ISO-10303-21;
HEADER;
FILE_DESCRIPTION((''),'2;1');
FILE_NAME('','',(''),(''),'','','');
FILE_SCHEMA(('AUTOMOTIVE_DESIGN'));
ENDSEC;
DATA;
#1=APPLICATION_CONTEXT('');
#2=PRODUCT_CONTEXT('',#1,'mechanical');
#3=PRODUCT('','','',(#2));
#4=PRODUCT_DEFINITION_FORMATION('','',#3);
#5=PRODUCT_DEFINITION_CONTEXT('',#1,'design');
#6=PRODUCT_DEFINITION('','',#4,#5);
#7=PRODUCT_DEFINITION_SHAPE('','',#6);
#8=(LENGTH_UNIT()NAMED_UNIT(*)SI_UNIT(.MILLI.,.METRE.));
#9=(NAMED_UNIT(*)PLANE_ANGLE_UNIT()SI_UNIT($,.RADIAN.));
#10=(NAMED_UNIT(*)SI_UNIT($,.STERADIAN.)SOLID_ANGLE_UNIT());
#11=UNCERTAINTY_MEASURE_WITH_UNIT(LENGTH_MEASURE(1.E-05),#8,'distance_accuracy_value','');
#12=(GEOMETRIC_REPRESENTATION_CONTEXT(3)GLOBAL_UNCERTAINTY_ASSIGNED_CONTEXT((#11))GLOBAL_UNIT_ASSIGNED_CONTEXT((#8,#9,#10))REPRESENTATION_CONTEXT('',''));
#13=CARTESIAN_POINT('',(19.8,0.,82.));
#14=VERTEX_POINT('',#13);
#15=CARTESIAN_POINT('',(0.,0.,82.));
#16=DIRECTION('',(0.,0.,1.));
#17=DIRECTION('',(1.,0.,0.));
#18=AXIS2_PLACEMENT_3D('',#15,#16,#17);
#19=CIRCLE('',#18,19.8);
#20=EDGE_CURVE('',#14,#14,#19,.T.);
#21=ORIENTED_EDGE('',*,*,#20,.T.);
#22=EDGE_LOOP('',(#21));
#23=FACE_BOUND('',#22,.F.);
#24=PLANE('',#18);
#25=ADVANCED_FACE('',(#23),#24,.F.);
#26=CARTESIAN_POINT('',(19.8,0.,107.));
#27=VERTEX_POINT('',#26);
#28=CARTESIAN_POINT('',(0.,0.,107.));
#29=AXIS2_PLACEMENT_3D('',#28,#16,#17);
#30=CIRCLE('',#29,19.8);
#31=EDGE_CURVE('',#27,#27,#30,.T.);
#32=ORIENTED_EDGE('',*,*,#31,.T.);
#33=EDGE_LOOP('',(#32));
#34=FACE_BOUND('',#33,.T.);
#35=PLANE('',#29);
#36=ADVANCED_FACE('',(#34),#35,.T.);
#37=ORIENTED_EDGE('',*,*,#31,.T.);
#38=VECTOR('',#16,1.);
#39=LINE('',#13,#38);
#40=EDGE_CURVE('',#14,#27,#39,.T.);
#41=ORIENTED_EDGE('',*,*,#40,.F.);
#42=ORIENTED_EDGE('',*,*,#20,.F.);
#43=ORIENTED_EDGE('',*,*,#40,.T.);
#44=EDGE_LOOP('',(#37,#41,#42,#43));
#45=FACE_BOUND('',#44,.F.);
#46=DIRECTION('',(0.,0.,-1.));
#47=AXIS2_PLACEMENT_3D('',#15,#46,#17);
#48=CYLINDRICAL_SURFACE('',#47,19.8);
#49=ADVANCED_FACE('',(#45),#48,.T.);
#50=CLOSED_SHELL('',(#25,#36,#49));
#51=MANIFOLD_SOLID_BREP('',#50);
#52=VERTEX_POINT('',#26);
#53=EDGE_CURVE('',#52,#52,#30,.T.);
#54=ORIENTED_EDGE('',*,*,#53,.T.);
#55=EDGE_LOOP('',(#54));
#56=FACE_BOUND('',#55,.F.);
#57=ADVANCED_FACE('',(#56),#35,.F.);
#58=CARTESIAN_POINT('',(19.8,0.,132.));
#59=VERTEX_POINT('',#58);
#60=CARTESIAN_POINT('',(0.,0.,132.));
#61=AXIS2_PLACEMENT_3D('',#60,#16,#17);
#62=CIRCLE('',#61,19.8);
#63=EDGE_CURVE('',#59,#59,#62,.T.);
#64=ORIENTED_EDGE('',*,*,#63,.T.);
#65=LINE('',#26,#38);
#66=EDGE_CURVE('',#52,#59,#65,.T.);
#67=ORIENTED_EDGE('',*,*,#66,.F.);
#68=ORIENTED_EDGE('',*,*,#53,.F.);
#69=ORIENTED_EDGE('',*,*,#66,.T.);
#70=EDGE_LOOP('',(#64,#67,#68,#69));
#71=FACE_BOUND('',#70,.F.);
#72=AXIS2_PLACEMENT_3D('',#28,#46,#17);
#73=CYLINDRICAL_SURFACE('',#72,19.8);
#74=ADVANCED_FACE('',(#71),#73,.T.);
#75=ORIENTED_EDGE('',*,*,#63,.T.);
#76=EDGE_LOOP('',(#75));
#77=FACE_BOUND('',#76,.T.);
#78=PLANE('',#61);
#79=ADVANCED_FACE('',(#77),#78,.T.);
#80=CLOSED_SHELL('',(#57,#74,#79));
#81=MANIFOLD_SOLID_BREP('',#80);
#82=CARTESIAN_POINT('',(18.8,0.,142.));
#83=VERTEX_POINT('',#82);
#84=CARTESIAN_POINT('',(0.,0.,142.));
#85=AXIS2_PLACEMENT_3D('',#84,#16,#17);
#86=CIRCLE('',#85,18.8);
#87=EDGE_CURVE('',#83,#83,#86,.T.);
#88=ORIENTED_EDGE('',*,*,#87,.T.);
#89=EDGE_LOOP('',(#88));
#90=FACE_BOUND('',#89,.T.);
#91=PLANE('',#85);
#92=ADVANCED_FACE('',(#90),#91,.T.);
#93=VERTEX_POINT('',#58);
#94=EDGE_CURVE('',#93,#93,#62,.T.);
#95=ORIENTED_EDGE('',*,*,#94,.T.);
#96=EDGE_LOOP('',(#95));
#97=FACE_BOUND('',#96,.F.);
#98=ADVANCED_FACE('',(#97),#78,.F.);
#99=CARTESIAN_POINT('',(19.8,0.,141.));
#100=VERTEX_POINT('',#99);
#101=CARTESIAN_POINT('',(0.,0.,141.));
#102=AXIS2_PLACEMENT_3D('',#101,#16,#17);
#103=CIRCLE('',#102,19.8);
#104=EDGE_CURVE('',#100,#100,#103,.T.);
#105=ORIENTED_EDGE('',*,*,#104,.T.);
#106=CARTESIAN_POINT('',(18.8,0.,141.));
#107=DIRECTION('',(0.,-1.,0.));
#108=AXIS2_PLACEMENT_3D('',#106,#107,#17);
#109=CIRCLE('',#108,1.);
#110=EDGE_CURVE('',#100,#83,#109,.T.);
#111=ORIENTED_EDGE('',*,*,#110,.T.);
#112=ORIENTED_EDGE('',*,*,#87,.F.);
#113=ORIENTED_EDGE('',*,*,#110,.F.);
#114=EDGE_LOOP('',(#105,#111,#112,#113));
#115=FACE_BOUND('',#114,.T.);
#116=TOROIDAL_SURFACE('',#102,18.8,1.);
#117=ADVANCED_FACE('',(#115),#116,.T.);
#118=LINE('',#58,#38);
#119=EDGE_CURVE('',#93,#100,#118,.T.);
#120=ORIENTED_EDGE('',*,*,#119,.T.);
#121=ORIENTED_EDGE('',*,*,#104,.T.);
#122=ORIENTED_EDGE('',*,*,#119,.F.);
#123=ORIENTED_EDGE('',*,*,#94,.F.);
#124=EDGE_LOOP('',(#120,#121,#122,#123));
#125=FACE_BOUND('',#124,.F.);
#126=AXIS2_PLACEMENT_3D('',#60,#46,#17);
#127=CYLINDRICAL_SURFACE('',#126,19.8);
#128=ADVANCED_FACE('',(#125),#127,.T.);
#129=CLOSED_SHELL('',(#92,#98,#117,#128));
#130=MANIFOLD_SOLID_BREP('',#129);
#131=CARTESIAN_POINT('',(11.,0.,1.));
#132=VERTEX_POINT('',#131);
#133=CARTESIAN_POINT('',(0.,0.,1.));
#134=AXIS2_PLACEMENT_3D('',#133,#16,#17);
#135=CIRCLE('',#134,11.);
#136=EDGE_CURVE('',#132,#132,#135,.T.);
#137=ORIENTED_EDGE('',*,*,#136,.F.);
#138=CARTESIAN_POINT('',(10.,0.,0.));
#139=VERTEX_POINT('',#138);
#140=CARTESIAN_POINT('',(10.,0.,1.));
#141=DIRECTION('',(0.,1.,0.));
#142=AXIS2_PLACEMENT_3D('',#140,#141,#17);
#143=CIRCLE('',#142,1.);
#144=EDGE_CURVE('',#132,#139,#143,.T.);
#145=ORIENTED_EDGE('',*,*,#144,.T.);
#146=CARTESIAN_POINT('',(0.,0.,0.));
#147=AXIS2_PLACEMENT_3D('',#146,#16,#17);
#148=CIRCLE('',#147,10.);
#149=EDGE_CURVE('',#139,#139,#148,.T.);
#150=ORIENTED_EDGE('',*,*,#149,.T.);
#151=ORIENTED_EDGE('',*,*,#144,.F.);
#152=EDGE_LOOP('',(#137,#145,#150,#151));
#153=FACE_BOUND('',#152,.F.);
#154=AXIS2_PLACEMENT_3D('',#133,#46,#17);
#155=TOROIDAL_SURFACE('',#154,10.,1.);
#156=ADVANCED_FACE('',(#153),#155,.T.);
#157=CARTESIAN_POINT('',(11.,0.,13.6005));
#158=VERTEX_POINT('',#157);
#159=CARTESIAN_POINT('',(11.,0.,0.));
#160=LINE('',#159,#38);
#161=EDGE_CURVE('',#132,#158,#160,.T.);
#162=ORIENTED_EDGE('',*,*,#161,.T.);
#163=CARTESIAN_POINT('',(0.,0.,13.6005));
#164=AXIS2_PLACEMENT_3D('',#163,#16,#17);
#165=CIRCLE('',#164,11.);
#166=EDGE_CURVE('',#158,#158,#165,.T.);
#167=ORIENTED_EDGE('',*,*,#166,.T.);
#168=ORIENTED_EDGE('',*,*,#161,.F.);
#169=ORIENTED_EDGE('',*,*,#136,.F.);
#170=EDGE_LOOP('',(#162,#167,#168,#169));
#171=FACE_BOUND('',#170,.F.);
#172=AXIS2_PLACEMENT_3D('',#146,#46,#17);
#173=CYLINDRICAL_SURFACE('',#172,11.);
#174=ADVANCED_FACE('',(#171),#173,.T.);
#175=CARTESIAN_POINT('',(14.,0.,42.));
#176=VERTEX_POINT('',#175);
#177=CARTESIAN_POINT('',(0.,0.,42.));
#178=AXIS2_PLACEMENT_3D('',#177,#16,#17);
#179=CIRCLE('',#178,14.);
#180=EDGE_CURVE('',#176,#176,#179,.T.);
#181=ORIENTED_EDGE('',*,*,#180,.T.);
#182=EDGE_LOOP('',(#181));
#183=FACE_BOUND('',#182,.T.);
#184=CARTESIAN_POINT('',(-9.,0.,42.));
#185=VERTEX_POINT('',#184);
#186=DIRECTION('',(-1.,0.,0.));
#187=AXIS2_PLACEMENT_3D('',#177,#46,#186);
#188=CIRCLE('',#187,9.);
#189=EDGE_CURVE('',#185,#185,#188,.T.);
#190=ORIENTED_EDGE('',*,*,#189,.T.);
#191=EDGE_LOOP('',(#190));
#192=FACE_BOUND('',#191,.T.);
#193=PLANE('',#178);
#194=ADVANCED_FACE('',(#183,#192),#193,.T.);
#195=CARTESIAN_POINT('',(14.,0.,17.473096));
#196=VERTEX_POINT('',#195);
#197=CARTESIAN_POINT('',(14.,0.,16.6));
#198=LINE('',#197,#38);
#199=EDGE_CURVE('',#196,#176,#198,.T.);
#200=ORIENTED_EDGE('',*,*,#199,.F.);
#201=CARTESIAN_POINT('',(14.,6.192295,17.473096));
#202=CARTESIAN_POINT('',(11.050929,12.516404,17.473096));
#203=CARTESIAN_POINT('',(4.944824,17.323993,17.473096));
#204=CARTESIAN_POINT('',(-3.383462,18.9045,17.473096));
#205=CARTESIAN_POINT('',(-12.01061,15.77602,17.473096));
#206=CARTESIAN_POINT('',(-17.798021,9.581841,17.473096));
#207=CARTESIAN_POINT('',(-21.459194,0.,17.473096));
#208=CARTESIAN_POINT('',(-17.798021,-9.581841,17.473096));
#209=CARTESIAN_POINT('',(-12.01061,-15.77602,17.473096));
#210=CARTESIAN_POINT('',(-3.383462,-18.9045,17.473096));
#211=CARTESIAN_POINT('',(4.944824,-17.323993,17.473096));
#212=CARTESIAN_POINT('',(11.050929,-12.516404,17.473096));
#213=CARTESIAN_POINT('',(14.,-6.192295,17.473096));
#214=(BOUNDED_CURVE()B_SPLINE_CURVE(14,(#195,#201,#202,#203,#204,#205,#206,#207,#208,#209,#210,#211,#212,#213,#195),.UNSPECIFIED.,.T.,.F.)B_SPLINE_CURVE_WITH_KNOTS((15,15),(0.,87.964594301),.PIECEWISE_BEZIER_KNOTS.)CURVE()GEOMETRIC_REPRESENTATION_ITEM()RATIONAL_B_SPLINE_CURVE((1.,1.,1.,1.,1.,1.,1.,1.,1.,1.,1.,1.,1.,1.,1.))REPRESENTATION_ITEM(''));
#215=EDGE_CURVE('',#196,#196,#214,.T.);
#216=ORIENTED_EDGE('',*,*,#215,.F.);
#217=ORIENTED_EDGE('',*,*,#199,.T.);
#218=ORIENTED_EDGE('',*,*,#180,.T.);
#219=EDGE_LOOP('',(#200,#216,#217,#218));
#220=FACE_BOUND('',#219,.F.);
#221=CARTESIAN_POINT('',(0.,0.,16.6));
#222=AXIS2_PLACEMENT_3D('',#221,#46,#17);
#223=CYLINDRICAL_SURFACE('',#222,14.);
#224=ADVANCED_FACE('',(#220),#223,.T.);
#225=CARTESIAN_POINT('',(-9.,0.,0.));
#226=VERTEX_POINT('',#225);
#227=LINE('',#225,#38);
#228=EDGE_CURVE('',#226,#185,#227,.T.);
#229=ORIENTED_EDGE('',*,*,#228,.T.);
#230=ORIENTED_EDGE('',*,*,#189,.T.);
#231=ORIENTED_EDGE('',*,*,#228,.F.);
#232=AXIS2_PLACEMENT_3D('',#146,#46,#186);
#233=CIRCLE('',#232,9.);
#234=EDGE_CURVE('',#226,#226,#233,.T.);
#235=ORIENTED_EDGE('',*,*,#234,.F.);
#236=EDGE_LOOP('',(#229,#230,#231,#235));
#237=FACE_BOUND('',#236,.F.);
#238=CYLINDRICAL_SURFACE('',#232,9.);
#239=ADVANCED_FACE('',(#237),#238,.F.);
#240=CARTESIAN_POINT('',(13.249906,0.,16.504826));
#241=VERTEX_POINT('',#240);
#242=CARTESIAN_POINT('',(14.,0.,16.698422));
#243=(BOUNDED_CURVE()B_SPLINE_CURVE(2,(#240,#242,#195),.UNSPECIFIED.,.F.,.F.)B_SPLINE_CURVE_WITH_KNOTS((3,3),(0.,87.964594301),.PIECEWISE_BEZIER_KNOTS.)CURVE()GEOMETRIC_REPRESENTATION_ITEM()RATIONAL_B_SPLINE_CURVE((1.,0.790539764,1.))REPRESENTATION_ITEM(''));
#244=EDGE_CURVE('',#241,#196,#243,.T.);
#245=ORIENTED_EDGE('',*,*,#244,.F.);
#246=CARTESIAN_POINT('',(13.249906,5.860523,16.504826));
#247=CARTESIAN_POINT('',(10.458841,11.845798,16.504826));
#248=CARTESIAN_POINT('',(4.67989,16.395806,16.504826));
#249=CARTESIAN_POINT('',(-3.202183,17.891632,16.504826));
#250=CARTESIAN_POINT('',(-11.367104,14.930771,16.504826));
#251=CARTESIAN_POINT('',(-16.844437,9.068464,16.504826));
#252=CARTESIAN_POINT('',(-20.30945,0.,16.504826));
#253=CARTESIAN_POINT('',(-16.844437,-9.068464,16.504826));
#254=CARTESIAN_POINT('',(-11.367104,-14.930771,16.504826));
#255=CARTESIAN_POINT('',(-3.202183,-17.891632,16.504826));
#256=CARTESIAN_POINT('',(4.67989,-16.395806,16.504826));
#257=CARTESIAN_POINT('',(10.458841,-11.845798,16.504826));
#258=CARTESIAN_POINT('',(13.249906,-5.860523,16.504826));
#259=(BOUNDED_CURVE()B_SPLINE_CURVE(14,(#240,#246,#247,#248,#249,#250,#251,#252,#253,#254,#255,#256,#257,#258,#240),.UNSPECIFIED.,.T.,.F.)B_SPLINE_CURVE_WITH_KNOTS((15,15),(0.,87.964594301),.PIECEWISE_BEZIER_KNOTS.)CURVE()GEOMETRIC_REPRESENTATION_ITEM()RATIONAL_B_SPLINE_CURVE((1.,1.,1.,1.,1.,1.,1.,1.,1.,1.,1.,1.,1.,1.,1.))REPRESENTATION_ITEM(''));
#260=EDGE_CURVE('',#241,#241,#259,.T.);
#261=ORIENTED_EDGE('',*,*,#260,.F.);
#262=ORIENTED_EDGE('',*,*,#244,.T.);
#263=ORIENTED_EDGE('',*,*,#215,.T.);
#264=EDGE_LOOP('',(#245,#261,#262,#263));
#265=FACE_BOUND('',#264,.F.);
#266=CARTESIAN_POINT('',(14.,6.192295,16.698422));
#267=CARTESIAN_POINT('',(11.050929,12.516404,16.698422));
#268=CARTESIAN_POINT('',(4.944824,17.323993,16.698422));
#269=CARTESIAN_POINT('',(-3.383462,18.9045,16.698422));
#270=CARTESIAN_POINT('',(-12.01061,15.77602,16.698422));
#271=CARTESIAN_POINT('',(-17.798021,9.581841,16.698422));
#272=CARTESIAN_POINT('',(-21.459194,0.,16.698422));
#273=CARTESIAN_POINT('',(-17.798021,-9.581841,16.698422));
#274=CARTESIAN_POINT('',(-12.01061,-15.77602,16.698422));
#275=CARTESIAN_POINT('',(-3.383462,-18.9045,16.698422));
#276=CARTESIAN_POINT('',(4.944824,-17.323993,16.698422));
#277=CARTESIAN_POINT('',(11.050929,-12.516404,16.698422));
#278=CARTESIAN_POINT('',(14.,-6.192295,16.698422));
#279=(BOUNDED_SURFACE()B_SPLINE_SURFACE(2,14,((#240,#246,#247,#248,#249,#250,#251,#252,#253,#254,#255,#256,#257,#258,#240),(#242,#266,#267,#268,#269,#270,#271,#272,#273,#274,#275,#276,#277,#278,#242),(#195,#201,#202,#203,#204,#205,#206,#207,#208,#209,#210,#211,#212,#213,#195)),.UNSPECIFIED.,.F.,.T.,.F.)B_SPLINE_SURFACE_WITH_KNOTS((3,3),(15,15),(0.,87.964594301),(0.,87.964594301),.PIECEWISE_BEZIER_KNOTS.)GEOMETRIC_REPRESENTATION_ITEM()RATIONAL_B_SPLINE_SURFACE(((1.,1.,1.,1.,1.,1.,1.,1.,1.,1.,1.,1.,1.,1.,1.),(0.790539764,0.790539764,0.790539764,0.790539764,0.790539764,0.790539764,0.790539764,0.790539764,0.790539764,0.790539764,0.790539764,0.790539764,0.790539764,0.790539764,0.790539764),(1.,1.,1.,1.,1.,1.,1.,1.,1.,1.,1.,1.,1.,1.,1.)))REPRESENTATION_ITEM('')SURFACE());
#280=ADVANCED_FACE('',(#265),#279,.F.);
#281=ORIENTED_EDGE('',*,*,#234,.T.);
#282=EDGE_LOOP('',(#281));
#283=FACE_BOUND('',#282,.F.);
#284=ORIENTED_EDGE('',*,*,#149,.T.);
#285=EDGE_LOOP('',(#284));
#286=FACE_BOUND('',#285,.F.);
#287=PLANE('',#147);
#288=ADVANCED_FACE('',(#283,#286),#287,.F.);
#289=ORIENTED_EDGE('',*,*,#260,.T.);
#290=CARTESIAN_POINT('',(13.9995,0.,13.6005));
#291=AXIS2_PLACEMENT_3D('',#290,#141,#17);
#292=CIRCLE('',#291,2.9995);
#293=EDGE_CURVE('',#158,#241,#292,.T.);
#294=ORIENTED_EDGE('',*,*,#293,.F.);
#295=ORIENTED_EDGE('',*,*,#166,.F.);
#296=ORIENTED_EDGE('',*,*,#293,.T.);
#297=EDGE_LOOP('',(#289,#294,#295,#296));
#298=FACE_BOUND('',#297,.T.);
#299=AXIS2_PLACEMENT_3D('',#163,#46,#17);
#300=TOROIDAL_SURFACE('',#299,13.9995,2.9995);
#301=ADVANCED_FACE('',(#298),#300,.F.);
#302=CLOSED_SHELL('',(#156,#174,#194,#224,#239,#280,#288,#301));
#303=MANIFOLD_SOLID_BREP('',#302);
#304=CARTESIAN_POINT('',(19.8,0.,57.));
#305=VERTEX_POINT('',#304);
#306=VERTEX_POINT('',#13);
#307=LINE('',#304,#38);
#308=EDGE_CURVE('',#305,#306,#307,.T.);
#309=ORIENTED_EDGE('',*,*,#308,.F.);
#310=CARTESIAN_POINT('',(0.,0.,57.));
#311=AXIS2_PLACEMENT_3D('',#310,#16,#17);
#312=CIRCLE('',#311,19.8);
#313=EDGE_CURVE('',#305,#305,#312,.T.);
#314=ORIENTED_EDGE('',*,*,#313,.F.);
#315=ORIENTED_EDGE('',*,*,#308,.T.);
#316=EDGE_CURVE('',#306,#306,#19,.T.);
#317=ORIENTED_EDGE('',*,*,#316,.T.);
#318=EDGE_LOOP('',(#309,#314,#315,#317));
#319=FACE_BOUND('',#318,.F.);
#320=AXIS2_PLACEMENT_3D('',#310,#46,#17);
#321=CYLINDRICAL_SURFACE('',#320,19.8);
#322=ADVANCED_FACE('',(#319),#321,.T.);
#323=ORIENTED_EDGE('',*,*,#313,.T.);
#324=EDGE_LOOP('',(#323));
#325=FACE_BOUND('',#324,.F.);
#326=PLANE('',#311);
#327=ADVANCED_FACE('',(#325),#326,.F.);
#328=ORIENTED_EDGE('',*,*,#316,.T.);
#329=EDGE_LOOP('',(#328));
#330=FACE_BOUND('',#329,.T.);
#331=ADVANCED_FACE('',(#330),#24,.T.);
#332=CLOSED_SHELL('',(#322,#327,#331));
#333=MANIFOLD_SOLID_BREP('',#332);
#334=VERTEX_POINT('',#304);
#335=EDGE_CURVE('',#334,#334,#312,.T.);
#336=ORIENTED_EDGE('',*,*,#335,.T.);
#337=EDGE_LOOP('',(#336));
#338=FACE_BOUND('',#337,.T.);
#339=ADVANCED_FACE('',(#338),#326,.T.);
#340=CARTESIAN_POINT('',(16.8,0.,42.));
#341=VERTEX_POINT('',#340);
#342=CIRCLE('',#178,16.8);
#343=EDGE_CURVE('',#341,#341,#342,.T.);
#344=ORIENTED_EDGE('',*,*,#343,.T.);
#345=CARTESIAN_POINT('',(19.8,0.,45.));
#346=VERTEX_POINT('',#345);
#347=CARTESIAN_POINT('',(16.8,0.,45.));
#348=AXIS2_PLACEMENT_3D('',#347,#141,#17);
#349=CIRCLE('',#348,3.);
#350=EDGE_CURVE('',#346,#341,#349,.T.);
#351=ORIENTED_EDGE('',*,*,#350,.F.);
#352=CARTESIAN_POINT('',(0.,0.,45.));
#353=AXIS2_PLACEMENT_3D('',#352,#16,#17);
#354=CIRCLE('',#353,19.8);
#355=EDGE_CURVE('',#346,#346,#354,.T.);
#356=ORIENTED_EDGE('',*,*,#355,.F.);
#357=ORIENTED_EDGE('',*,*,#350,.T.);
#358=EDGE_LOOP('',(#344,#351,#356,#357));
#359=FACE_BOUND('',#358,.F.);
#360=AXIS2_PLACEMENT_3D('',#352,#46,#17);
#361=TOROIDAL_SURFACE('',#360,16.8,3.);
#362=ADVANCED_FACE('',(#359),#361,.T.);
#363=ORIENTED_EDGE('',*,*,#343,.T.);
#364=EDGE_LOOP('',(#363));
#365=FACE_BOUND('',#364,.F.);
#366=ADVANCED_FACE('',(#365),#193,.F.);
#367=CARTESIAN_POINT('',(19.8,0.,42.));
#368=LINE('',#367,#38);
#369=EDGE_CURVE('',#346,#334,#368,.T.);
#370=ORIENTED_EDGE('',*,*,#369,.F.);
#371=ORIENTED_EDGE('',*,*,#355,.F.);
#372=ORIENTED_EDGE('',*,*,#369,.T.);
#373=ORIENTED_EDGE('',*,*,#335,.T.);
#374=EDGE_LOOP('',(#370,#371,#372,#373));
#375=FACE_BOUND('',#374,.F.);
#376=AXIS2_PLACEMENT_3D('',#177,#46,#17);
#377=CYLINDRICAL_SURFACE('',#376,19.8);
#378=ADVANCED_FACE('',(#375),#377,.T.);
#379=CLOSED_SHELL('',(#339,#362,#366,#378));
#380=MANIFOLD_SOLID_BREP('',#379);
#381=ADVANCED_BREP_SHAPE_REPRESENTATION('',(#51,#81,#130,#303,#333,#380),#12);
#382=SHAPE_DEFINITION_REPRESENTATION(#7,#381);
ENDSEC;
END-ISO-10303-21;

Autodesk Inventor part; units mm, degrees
ref_plane "YZ Plane" through (0, 0, 0) normal (1, 0, 0) x (0, 1, 0)
ref_plane "XZ Plane" through (0, 0, 0) normal (0, 1, 0) x (-1, 0, 0)
ref_plane "XY Plane" through (0, 0, 0) normal (0, 0, 1) x (1, 0, 0)
sketch "Sketch1" plane through (0, 0, 0) normal (0, 0, 1) x (1, 0, 0)
  circle A0 centre (0, 0) radius 11
  dimension "d0" = 22
extrude "Extrusion1" add sketch "Sketch1" along normal blind 16.6
sketch "Sketch2" plane through (0, 0, 16.6) normal (0, 0, 1) x (1, 0, 0)
  circle A0 centre (0, 0) radius 14
  dimension "d3" = 28
extrude "Extrusion2" add sketch "Sketch2" along normal blind 25.4
sketch "Sketch3" plane through (0, 0, 0) normal (0, 0, -1) x (-1, 0, 0)
  circle A0 centre (0, 0) radius 9
  dimension "d6" = 18
extrude "Extrusion3" cut sketch "Sketch3" against normal through all
fillet "Fillet1" radius 1 1 edges at (-11, 0, 0)
fillet "Fillet2" radius 3 1 edges at (-11, 0, 16.6)
sketch "Sketch4" plane through (0, 0, 42) normal (0, 0, 1) x (1, 0, 0)
  circle A0 centre (0, 0) radius 19.8
  dimension "d11" = 39.6
extrude "Extrusion4" add sketch "Sketch4" along normal blind 15 separate body
sketch "Sketch5" plane through (0, 0, 57) normal (0, 0, 1) x (1, 0, 0)
  circle A0 centre (0, 0) radius 19.8
extrude "Extrusion5" add sketch "Sketch5" along normal blind 25 separate body
sketch "Sketch6" plane through (0, 0, 82) normal (0, 0, 1) x (1, 0, 0)
  circle A0 centre (0, 0) radius 19.8
extrude "Extrusion6" add sketch "Sketch6" along normal blind 25 separate body
sketch "Sketch7" plane through (0, 0, 107) normal (0, 0, 1) x (1, 0, 0)
  circle A0 centre (0, 0) radius 19.8
extrude "Extrusion7" add sketch "Sketch7" along normal blind 25 separate body
sketch "Sketch8" plane through (0, 0, 132) normal (0, 0, 1) x (1, 0, 0)
  circle A0 centre (0, 0) radius 19.8
extrude "Extrusion8" add sketch "Sketch8" along normal blind 10 separate body
fillet "Fillet3" radius 1 2 edges at (-13.9995, 0, 16.6) (-14, 0, 16.6)
fillet "Fillet4" radius 3 1 edges at (-19.8, 0, 42)
fillet "Fillet5" radius 1 1 edges at (-19.8, 0, 142)
properties part number "Light Stack"
